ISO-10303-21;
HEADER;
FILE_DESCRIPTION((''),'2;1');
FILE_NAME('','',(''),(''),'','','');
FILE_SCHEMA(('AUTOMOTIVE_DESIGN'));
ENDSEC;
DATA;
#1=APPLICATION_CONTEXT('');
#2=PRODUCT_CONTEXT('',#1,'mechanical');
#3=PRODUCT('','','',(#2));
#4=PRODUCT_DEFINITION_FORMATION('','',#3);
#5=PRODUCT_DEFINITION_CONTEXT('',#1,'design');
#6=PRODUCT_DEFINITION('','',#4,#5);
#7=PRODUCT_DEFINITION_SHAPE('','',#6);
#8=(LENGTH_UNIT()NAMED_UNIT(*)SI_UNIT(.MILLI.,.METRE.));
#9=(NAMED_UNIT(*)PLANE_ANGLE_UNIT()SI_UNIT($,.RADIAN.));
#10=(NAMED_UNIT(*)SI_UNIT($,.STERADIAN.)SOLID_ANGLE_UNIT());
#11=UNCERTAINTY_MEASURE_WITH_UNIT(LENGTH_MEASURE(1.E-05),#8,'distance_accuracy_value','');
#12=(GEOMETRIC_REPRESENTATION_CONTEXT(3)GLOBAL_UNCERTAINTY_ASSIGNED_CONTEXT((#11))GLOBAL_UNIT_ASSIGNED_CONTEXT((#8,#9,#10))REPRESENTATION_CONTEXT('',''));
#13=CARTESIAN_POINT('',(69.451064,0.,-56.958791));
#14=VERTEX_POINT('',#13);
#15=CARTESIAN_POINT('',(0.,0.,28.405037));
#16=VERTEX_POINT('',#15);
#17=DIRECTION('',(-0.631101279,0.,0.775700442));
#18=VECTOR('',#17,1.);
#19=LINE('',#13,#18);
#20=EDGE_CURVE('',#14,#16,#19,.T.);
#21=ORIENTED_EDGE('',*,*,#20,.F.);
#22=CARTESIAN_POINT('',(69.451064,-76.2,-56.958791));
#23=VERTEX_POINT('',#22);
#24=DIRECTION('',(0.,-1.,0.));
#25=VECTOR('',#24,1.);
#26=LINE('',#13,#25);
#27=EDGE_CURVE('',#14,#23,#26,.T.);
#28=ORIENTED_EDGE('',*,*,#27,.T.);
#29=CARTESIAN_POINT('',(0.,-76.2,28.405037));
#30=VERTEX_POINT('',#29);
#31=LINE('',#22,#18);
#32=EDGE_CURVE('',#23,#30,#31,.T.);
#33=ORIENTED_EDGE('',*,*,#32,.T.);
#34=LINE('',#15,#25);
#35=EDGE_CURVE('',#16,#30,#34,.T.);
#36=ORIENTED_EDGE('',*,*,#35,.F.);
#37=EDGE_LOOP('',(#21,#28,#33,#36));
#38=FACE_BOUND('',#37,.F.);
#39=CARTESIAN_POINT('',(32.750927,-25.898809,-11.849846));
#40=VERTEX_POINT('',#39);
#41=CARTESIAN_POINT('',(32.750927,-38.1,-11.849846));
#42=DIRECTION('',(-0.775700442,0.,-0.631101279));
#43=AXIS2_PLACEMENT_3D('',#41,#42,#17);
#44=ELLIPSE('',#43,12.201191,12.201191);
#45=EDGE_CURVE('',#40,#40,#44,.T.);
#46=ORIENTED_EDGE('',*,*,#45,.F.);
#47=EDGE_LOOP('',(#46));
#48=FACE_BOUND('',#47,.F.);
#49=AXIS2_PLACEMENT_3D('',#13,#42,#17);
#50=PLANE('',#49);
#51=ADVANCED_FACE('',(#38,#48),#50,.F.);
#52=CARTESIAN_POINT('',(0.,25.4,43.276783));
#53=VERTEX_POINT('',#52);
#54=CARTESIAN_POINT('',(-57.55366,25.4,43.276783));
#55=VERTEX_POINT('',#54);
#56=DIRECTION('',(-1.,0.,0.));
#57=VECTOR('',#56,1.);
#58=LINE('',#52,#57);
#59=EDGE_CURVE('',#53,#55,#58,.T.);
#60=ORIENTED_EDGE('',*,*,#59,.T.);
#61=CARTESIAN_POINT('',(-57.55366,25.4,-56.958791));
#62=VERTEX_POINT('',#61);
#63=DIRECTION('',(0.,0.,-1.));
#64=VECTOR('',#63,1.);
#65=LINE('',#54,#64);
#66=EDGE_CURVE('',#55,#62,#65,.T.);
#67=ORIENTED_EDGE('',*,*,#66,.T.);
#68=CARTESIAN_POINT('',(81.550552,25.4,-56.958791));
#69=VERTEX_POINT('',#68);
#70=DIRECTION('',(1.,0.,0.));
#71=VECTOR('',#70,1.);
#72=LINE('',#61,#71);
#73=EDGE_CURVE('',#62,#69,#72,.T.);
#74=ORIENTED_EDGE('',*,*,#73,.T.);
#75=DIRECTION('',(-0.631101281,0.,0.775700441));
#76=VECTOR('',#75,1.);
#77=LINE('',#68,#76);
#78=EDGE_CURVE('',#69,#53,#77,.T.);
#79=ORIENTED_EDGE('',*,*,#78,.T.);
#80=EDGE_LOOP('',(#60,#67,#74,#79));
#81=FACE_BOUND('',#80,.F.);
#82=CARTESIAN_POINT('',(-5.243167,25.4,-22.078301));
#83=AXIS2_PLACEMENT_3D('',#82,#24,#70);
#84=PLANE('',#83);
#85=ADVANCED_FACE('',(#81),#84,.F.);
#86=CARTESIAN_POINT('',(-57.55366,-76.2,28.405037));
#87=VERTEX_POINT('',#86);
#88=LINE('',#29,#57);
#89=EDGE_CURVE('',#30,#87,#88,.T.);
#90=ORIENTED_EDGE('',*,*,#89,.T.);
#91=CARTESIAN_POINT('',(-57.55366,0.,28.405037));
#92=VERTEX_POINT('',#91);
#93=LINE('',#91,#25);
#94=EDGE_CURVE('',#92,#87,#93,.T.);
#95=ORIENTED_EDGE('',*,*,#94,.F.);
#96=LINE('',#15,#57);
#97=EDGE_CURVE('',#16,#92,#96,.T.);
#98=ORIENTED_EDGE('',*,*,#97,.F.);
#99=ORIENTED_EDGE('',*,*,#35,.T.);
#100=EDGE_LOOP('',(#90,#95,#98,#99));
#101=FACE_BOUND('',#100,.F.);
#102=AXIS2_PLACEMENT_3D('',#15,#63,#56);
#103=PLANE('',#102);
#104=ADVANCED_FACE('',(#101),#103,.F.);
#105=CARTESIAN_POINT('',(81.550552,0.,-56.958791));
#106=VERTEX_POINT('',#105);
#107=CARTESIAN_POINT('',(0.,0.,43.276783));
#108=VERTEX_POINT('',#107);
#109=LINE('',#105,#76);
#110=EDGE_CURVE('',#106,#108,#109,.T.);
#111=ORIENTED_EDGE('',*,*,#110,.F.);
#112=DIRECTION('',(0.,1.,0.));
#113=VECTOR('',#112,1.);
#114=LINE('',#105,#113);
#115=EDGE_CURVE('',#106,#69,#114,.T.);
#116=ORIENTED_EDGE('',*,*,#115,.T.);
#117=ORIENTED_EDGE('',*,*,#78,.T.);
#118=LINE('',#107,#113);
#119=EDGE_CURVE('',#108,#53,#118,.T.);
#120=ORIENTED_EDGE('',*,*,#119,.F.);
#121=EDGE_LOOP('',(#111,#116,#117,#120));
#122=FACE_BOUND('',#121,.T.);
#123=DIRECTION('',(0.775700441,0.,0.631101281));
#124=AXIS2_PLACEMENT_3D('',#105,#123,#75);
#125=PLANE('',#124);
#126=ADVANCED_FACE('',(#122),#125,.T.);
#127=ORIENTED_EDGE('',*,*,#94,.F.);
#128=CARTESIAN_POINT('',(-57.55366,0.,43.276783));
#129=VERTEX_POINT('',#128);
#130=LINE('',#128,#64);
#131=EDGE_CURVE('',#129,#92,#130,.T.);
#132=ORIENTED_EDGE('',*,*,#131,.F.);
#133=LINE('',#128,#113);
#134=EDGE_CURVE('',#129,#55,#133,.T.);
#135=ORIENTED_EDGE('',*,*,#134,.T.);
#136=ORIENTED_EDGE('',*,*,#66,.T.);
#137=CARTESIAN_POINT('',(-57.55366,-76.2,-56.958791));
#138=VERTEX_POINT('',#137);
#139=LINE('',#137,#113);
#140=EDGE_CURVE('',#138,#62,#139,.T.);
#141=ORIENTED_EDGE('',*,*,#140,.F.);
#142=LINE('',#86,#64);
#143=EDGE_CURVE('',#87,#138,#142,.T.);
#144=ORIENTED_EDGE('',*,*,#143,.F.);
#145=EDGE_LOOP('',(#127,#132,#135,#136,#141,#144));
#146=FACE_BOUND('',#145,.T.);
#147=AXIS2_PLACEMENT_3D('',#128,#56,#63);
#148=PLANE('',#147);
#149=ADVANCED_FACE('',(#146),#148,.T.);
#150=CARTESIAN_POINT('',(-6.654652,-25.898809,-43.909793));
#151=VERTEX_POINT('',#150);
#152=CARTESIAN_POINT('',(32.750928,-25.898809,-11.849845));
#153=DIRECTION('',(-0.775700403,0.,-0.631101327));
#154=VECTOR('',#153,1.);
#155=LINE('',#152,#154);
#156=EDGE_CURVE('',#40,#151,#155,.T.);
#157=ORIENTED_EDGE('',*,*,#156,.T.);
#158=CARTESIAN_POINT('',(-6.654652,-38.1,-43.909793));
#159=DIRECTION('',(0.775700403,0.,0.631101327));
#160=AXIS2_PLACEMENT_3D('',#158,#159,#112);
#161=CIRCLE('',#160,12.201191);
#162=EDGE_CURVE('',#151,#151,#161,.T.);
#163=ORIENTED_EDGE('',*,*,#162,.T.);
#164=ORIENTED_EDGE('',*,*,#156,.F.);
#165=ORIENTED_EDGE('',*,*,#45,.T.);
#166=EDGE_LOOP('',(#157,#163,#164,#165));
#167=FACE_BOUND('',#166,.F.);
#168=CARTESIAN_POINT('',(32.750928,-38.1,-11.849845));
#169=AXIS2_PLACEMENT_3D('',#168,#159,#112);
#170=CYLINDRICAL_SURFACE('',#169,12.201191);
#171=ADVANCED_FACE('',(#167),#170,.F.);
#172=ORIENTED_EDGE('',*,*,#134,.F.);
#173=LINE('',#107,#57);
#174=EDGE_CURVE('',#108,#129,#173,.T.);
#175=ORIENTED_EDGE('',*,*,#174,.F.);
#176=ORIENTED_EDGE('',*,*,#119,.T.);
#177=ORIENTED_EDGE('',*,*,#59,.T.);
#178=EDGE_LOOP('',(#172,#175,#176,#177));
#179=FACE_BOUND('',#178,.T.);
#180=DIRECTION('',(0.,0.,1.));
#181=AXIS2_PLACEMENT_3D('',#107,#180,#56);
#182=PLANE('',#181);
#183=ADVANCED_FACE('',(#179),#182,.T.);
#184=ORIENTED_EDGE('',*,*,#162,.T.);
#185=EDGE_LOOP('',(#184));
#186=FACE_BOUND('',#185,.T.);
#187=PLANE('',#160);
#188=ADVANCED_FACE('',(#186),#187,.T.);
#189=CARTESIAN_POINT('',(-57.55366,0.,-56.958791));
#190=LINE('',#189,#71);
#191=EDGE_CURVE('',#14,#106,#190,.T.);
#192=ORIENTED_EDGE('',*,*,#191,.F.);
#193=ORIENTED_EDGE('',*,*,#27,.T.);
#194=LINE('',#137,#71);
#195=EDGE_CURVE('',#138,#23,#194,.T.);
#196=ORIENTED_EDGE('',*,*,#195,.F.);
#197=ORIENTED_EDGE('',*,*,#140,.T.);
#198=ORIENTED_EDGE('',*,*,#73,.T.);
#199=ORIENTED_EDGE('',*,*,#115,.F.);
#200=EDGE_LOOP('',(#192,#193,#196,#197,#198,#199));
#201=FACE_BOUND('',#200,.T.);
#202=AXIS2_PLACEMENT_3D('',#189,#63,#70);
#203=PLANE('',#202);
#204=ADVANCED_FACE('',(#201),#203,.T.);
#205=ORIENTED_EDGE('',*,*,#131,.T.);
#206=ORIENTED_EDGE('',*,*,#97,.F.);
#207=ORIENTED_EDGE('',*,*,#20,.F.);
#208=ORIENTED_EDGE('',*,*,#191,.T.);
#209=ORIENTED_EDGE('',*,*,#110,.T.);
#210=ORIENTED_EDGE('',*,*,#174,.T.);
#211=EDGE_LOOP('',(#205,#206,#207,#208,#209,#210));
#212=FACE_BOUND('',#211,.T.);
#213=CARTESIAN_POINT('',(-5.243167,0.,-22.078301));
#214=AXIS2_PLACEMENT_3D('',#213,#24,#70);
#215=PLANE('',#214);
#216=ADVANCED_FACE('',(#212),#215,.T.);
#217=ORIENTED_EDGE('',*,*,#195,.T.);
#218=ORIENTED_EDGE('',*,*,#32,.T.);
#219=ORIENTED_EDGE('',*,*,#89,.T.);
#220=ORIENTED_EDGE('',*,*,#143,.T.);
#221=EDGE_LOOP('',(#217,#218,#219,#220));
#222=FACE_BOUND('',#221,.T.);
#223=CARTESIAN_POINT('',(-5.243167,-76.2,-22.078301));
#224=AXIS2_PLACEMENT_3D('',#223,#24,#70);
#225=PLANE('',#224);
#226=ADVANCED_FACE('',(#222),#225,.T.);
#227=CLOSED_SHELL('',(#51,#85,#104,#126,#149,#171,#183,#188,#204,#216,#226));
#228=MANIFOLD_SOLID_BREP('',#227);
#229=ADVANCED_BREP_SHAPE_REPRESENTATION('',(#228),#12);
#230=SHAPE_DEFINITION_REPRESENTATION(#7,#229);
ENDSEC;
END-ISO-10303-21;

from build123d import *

# Parameters (mm, degrees)
F1_DEPTH = 76.2
F2_DEPTH = 25.4
F3_R     = 12.201191
F4_DEPTH = 50.8


with BuildPart() as f1:
    # F0 (on Front) → F1 (new body)
    with BuildSketch(Plane.XZ):
        Polygon((69.451064, -56.958791), (0, 28.405037), (-57.55366, 28.405037), (-57.55366, -56.958791), align=None)
    extrude(amount=F1_DEPTH)

    # F0 (on Front) → F2 (join)
    with BuildSketch(Plane.XZ):
        Polygon((69.451064, -56.958791), (0, 28.405037), (-57.55366, 28.405037), (-57.55366, -56.958791), align=None)
        Polygon((-57.55366, 28.405037), (0, 28.405037), (69.451064, -56.958791), (81.550552, -56.958791), (0, 43.276783), (-57.55366, 43.276783), align=None)
    extrude(amount=-F2_DEPTH)

    # F3 (on face) → F4 (cut)
    with BuildSketch(Plane(origin=(13.905559, 0, 11.313409), x_dir=(0, 1, 0), z_dir=(0.7757, 0, 0.631101))):
        with Locations((-38.1, -29.861083)):
            Circle(F3_R)
    extrude(amount=-F4_DEPTH, mode=Mode.SUBTRACT)


solid = f1.part
